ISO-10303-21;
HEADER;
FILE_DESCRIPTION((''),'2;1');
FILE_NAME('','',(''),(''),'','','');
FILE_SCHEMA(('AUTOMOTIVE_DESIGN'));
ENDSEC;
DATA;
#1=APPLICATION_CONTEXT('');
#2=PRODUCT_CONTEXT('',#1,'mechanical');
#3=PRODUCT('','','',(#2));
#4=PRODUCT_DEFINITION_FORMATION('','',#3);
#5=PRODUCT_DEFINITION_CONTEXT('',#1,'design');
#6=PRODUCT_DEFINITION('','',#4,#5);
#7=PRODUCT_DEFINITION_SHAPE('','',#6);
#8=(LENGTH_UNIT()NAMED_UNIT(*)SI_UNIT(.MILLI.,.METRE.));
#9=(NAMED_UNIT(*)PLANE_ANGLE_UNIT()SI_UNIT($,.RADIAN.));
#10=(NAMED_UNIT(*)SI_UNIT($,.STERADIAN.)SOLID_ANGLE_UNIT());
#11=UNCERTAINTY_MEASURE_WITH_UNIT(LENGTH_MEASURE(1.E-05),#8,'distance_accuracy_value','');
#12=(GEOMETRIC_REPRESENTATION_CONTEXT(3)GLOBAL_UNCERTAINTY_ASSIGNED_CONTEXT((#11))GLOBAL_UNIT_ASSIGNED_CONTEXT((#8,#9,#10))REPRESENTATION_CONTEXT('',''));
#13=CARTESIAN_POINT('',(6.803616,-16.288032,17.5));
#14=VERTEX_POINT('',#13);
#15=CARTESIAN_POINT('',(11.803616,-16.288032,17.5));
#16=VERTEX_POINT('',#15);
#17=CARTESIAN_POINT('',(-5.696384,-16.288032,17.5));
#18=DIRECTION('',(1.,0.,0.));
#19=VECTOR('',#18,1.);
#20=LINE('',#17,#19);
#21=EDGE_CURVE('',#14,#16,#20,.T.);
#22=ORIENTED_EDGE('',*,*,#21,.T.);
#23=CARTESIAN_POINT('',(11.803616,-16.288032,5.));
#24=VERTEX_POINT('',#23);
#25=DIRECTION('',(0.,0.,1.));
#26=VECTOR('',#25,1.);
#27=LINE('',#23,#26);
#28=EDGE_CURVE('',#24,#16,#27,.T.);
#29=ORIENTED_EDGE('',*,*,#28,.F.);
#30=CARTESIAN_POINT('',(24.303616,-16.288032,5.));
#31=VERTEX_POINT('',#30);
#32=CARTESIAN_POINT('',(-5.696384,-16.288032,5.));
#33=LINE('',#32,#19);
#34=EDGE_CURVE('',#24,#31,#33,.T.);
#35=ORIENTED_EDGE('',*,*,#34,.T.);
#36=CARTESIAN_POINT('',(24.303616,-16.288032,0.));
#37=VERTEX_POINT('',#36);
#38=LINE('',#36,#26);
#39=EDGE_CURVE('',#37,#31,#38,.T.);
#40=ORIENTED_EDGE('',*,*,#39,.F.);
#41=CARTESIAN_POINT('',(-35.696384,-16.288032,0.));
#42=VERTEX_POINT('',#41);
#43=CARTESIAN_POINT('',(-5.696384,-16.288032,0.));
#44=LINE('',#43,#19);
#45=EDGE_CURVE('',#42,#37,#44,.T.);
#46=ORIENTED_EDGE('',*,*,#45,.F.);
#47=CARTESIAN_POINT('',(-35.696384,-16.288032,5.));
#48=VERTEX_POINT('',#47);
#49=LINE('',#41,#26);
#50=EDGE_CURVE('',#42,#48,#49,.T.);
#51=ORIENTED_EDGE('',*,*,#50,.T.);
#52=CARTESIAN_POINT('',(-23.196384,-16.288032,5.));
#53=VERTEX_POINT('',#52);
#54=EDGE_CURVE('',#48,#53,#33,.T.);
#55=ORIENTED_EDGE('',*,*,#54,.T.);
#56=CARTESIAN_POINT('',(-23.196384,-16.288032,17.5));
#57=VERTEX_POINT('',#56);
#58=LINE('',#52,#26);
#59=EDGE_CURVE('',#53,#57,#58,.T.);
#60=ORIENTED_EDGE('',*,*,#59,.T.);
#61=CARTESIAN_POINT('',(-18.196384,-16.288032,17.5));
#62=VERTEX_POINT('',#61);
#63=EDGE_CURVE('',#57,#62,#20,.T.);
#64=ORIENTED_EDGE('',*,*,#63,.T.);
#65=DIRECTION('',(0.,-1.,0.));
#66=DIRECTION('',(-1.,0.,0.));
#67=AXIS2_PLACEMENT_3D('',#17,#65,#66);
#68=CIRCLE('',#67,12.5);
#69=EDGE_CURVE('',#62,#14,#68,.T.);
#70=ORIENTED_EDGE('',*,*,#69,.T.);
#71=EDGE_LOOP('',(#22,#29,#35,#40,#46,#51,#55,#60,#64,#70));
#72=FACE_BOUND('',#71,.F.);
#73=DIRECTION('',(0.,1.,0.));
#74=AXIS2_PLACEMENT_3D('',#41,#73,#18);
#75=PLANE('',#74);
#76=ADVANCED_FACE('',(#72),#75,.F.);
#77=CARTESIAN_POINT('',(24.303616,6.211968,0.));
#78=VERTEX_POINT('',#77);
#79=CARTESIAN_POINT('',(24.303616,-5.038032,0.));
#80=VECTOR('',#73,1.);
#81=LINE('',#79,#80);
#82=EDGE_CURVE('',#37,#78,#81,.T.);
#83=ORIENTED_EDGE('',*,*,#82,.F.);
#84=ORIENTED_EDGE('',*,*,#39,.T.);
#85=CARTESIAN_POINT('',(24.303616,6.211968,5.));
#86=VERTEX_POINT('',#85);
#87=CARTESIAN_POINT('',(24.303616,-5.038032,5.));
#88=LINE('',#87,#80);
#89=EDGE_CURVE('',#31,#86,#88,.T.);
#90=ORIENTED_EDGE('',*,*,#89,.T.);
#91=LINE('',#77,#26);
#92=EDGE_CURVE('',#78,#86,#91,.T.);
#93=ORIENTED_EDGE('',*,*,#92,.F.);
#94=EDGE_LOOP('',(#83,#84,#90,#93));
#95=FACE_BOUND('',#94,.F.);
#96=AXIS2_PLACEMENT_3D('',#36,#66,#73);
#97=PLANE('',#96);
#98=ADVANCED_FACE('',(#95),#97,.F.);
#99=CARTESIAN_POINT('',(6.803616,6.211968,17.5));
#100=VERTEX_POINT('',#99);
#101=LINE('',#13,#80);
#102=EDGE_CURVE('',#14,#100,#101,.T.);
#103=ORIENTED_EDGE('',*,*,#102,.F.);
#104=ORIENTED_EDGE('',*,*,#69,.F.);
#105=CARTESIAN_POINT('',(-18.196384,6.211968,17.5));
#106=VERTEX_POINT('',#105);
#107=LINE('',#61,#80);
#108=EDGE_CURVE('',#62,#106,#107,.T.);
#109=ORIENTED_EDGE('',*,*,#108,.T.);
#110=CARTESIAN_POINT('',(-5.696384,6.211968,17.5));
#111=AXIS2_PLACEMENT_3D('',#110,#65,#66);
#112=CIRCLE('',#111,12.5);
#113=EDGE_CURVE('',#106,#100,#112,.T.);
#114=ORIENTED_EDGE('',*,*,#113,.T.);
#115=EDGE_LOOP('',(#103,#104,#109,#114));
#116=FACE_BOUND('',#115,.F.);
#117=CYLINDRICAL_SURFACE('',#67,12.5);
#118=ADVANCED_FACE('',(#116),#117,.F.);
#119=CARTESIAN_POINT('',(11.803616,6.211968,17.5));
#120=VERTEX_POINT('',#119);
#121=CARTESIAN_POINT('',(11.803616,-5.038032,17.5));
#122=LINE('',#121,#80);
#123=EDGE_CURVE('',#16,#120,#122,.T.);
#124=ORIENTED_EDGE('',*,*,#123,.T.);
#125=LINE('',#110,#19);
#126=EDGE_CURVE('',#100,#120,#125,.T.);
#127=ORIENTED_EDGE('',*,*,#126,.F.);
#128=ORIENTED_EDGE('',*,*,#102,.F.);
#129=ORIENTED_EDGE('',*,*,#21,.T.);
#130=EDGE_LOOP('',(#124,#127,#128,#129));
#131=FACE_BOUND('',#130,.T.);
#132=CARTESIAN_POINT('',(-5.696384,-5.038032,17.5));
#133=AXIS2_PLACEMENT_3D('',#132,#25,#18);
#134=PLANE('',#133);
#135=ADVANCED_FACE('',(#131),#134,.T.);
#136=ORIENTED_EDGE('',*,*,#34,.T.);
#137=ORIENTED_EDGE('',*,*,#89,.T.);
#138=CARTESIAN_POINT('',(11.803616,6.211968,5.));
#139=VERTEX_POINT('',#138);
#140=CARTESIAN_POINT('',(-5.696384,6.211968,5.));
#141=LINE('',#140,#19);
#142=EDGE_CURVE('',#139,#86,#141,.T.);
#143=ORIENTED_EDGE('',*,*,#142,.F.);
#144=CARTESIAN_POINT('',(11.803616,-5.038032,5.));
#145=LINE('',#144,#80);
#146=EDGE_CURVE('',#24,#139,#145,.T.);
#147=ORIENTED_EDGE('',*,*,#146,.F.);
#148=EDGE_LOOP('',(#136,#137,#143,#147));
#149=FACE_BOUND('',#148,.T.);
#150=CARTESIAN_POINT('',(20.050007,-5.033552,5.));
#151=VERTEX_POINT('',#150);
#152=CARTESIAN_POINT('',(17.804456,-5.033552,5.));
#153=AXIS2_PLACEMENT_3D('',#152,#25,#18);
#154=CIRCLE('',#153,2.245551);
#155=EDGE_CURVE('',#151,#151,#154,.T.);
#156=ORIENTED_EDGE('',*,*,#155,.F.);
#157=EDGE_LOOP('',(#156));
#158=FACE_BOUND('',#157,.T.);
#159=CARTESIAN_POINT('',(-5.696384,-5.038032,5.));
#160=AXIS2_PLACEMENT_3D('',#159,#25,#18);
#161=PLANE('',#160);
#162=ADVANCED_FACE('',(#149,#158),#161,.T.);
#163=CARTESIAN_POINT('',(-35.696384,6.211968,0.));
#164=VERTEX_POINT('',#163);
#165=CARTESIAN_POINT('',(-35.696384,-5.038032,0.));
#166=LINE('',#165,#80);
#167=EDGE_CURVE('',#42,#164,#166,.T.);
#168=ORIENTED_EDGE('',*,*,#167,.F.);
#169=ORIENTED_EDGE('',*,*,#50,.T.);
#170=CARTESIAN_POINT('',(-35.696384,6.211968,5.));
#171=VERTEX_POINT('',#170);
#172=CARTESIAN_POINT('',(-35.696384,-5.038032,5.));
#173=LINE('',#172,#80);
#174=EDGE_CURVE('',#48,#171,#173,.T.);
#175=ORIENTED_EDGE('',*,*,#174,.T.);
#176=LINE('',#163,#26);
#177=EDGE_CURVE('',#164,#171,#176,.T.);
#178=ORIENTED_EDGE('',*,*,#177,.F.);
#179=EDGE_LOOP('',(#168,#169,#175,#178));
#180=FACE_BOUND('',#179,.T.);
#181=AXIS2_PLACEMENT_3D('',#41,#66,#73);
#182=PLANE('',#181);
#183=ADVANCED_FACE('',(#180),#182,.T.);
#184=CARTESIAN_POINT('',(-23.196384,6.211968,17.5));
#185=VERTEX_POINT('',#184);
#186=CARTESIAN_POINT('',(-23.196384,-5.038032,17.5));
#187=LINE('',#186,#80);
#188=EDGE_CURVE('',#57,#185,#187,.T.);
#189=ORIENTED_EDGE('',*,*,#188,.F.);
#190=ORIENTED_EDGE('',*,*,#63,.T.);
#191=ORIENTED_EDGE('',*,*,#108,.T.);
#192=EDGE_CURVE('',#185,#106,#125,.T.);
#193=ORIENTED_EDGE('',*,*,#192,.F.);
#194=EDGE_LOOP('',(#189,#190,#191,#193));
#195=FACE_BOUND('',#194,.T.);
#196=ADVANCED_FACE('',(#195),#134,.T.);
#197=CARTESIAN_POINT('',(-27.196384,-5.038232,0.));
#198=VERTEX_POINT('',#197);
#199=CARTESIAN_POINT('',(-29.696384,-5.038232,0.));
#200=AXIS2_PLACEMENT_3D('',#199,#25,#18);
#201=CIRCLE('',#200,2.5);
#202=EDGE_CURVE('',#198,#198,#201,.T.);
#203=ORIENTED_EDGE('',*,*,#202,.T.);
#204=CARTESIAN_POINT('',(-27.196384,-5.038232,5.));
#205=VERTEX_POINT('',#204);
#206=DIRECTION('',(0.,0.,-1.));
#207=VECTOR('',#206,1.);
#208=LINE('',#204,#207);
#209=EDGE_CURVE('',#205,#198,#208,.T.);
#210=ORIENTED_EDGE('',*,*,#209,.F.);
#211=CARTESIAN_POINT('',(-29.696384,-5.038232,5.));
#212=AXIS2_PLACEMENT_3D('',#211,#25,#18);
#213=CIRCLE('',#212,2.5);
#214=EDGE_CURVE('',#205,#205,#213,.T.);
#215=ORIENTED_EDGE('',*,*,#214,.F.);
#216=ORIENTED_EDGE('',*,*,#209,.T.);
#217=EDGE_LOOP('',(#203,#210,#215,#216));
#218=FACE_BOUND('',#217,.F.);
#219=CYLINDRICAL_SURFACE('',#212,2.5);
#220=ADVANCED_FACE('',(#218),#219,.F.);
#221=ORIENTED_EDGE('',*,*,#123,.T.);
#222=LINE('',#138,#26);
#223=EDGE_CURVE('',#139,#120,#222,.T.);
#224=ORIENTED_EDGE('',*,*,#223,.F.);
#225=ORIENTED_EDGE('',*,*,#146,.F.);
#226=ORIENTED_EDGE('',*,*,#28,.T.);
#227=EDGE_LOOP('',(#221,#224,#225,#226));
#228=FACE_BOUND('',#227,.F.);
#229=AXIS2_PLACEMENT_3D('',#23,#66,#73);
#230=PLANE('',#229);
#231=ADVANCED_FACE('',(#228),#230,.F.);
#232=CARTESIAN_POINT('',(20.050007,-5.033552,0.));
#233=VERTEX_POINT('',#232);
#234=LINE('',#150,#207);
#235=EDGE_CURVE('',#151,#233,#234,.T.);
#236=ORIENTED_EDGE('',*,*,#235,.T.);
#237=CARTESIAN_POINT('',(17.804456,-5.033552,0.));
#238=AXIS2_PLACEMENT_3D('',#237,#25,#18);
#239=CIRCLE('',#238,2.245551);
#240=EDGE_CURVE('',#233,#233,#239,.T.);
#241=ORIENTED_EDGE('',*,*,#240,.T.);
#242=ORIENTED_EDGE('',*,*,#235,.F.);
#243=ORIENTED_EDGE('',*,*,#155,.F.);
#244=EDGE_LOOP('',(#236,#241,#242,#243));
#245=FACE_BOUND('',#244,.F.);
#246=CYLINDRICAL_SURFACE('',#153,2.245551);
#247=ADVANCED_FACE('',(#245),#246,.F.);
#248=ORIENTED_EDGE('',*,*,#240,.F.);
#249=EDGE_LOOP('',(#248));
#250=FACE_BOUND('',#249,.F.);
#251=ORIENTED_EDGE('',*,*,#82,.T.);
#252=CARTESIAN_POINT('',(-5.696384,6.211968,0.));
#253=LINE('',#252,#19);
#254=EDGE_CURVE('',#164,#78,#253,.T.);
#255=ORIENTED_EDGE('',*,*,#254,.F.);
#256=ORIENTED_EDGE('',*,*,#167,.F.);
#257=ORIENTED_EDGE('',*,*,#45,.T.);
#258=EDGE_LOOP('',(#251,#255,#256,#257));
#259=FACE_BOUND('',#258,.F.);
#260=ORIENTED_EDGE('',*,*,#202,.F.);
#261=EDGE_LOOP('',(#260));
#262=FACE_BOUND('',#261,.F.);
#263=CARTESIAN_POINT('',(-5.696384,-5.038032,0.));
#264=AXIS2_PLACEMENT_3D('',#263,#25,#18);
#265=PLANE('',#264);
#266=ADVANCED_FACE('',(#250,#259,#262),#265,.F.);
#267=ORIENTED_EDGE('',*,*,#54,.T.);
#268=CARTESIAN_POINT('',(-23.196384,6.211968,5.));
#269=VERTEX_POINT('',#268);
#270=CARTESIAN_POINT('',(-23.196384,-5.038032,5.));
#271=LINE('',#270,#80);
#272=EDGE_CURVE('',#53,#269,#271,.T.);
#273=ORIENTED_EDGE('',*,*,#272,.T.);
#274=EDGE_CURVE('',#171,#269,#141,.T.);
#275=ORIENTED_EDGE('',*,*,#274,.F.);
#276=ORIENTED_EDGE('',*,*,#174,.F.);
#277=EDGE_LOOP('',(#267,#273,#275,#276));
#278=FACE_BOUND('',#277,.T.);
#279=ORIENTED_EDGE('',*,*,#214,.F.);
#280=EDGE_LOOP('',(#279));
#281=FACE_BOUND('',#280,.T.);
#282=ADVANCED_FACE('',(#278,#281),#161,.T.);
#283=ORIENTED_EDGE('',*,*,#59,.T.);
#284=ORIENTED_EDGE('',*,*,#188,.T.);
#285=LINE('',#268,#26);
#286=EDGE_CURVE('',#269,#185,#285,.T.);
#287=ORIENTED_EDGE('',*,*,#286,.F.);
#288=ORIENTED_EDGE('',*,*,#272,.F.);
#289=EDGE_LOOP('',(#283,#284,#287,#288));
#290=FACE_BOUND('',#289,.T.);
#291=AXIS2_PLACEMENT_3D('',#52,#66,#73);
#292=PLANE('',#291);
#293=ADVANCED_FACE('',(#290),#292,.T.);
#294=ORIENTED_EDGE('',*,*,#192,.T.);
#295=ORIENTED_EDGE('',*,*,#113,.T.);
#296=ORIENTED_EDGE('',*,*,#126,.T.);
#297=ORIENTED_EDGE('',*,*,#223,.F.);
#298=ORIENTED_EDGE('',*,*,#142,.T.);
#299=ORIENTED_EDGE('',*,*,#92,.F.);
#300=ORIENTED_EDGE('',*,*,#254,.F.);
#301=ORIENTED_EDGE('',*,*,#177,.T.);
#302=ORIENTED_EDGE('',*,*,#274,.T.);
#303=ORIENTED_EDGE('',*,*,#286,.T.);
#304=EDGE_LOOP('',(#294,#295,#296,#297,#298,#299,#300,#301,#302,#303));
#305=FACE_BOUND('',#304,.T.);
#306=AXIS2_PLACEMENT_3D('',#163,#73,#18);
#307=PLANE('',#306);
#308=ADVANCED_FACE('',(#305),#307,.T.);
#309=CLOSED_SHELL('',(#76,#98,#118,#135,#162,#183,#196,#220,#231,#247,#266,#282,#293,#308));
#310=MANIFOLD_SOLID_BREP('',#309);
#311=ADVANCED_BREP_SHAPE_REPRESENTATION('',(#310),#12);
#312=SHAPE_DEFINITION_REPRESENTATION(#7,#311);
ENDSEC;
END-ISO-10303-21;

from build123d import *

# Parameters (mm, degrees)
F0_W     = 60
F0_H     = 22.5
F1_DEPTH = 5
F2_W     = 35
F2_H     = 22.5
F3_DEPTH = 12.5
F5_DEPTH = 22.501
F6_R     = 2.5
F6_R_2   = 2.245551
F7_DEPTH = 5.001


with BuildPart() as f1:
    # F0 (on Top) → F1 (new body)
    with BuildSketch(Plane.XY):
        with Locations((-5.696384, -5.038032)):
            Rectangle(F0_W, F0_H)
    extrude(amount=F1_DEPTH)

    # F2 (on face) → F3 (join)
    with BuildSketch(Plane.XY.offset(5)):
        with Locations((-5.696384, -5.038032)):
            Rectangle(F2_W, F2_H)
    extrude(amount=F3_DEPTH)

    # F4 (on face) → F5 (cut, through all)
    with BuildSketch(Plane.XZ.offset(16.288032)):
        with BuildLine():
            Line((6.803616, 17.5), (-18.196384, 17.5))
            ThreePointArc((-18.196384, 17.5), (-5.696384, 5), (6.803616, 17.5))
        make_face()
    extrude(amount=-F5_DEPTH, mode=Mode.SUBTRACT)

    # F6 (on face) → F7 (cut, through all)
    with BuildSketch(Plane.XY.offset(5)):
        with Locations((-29.696384, -5.038232)):
            Circle(F6_R)
        with Locations((17.804456, -5.033552)):
            Circle(F6_R_2)
    extrude(amount=-F7_DEPTH, mode=Mode.SUBTRACT)


solid = f1.part
